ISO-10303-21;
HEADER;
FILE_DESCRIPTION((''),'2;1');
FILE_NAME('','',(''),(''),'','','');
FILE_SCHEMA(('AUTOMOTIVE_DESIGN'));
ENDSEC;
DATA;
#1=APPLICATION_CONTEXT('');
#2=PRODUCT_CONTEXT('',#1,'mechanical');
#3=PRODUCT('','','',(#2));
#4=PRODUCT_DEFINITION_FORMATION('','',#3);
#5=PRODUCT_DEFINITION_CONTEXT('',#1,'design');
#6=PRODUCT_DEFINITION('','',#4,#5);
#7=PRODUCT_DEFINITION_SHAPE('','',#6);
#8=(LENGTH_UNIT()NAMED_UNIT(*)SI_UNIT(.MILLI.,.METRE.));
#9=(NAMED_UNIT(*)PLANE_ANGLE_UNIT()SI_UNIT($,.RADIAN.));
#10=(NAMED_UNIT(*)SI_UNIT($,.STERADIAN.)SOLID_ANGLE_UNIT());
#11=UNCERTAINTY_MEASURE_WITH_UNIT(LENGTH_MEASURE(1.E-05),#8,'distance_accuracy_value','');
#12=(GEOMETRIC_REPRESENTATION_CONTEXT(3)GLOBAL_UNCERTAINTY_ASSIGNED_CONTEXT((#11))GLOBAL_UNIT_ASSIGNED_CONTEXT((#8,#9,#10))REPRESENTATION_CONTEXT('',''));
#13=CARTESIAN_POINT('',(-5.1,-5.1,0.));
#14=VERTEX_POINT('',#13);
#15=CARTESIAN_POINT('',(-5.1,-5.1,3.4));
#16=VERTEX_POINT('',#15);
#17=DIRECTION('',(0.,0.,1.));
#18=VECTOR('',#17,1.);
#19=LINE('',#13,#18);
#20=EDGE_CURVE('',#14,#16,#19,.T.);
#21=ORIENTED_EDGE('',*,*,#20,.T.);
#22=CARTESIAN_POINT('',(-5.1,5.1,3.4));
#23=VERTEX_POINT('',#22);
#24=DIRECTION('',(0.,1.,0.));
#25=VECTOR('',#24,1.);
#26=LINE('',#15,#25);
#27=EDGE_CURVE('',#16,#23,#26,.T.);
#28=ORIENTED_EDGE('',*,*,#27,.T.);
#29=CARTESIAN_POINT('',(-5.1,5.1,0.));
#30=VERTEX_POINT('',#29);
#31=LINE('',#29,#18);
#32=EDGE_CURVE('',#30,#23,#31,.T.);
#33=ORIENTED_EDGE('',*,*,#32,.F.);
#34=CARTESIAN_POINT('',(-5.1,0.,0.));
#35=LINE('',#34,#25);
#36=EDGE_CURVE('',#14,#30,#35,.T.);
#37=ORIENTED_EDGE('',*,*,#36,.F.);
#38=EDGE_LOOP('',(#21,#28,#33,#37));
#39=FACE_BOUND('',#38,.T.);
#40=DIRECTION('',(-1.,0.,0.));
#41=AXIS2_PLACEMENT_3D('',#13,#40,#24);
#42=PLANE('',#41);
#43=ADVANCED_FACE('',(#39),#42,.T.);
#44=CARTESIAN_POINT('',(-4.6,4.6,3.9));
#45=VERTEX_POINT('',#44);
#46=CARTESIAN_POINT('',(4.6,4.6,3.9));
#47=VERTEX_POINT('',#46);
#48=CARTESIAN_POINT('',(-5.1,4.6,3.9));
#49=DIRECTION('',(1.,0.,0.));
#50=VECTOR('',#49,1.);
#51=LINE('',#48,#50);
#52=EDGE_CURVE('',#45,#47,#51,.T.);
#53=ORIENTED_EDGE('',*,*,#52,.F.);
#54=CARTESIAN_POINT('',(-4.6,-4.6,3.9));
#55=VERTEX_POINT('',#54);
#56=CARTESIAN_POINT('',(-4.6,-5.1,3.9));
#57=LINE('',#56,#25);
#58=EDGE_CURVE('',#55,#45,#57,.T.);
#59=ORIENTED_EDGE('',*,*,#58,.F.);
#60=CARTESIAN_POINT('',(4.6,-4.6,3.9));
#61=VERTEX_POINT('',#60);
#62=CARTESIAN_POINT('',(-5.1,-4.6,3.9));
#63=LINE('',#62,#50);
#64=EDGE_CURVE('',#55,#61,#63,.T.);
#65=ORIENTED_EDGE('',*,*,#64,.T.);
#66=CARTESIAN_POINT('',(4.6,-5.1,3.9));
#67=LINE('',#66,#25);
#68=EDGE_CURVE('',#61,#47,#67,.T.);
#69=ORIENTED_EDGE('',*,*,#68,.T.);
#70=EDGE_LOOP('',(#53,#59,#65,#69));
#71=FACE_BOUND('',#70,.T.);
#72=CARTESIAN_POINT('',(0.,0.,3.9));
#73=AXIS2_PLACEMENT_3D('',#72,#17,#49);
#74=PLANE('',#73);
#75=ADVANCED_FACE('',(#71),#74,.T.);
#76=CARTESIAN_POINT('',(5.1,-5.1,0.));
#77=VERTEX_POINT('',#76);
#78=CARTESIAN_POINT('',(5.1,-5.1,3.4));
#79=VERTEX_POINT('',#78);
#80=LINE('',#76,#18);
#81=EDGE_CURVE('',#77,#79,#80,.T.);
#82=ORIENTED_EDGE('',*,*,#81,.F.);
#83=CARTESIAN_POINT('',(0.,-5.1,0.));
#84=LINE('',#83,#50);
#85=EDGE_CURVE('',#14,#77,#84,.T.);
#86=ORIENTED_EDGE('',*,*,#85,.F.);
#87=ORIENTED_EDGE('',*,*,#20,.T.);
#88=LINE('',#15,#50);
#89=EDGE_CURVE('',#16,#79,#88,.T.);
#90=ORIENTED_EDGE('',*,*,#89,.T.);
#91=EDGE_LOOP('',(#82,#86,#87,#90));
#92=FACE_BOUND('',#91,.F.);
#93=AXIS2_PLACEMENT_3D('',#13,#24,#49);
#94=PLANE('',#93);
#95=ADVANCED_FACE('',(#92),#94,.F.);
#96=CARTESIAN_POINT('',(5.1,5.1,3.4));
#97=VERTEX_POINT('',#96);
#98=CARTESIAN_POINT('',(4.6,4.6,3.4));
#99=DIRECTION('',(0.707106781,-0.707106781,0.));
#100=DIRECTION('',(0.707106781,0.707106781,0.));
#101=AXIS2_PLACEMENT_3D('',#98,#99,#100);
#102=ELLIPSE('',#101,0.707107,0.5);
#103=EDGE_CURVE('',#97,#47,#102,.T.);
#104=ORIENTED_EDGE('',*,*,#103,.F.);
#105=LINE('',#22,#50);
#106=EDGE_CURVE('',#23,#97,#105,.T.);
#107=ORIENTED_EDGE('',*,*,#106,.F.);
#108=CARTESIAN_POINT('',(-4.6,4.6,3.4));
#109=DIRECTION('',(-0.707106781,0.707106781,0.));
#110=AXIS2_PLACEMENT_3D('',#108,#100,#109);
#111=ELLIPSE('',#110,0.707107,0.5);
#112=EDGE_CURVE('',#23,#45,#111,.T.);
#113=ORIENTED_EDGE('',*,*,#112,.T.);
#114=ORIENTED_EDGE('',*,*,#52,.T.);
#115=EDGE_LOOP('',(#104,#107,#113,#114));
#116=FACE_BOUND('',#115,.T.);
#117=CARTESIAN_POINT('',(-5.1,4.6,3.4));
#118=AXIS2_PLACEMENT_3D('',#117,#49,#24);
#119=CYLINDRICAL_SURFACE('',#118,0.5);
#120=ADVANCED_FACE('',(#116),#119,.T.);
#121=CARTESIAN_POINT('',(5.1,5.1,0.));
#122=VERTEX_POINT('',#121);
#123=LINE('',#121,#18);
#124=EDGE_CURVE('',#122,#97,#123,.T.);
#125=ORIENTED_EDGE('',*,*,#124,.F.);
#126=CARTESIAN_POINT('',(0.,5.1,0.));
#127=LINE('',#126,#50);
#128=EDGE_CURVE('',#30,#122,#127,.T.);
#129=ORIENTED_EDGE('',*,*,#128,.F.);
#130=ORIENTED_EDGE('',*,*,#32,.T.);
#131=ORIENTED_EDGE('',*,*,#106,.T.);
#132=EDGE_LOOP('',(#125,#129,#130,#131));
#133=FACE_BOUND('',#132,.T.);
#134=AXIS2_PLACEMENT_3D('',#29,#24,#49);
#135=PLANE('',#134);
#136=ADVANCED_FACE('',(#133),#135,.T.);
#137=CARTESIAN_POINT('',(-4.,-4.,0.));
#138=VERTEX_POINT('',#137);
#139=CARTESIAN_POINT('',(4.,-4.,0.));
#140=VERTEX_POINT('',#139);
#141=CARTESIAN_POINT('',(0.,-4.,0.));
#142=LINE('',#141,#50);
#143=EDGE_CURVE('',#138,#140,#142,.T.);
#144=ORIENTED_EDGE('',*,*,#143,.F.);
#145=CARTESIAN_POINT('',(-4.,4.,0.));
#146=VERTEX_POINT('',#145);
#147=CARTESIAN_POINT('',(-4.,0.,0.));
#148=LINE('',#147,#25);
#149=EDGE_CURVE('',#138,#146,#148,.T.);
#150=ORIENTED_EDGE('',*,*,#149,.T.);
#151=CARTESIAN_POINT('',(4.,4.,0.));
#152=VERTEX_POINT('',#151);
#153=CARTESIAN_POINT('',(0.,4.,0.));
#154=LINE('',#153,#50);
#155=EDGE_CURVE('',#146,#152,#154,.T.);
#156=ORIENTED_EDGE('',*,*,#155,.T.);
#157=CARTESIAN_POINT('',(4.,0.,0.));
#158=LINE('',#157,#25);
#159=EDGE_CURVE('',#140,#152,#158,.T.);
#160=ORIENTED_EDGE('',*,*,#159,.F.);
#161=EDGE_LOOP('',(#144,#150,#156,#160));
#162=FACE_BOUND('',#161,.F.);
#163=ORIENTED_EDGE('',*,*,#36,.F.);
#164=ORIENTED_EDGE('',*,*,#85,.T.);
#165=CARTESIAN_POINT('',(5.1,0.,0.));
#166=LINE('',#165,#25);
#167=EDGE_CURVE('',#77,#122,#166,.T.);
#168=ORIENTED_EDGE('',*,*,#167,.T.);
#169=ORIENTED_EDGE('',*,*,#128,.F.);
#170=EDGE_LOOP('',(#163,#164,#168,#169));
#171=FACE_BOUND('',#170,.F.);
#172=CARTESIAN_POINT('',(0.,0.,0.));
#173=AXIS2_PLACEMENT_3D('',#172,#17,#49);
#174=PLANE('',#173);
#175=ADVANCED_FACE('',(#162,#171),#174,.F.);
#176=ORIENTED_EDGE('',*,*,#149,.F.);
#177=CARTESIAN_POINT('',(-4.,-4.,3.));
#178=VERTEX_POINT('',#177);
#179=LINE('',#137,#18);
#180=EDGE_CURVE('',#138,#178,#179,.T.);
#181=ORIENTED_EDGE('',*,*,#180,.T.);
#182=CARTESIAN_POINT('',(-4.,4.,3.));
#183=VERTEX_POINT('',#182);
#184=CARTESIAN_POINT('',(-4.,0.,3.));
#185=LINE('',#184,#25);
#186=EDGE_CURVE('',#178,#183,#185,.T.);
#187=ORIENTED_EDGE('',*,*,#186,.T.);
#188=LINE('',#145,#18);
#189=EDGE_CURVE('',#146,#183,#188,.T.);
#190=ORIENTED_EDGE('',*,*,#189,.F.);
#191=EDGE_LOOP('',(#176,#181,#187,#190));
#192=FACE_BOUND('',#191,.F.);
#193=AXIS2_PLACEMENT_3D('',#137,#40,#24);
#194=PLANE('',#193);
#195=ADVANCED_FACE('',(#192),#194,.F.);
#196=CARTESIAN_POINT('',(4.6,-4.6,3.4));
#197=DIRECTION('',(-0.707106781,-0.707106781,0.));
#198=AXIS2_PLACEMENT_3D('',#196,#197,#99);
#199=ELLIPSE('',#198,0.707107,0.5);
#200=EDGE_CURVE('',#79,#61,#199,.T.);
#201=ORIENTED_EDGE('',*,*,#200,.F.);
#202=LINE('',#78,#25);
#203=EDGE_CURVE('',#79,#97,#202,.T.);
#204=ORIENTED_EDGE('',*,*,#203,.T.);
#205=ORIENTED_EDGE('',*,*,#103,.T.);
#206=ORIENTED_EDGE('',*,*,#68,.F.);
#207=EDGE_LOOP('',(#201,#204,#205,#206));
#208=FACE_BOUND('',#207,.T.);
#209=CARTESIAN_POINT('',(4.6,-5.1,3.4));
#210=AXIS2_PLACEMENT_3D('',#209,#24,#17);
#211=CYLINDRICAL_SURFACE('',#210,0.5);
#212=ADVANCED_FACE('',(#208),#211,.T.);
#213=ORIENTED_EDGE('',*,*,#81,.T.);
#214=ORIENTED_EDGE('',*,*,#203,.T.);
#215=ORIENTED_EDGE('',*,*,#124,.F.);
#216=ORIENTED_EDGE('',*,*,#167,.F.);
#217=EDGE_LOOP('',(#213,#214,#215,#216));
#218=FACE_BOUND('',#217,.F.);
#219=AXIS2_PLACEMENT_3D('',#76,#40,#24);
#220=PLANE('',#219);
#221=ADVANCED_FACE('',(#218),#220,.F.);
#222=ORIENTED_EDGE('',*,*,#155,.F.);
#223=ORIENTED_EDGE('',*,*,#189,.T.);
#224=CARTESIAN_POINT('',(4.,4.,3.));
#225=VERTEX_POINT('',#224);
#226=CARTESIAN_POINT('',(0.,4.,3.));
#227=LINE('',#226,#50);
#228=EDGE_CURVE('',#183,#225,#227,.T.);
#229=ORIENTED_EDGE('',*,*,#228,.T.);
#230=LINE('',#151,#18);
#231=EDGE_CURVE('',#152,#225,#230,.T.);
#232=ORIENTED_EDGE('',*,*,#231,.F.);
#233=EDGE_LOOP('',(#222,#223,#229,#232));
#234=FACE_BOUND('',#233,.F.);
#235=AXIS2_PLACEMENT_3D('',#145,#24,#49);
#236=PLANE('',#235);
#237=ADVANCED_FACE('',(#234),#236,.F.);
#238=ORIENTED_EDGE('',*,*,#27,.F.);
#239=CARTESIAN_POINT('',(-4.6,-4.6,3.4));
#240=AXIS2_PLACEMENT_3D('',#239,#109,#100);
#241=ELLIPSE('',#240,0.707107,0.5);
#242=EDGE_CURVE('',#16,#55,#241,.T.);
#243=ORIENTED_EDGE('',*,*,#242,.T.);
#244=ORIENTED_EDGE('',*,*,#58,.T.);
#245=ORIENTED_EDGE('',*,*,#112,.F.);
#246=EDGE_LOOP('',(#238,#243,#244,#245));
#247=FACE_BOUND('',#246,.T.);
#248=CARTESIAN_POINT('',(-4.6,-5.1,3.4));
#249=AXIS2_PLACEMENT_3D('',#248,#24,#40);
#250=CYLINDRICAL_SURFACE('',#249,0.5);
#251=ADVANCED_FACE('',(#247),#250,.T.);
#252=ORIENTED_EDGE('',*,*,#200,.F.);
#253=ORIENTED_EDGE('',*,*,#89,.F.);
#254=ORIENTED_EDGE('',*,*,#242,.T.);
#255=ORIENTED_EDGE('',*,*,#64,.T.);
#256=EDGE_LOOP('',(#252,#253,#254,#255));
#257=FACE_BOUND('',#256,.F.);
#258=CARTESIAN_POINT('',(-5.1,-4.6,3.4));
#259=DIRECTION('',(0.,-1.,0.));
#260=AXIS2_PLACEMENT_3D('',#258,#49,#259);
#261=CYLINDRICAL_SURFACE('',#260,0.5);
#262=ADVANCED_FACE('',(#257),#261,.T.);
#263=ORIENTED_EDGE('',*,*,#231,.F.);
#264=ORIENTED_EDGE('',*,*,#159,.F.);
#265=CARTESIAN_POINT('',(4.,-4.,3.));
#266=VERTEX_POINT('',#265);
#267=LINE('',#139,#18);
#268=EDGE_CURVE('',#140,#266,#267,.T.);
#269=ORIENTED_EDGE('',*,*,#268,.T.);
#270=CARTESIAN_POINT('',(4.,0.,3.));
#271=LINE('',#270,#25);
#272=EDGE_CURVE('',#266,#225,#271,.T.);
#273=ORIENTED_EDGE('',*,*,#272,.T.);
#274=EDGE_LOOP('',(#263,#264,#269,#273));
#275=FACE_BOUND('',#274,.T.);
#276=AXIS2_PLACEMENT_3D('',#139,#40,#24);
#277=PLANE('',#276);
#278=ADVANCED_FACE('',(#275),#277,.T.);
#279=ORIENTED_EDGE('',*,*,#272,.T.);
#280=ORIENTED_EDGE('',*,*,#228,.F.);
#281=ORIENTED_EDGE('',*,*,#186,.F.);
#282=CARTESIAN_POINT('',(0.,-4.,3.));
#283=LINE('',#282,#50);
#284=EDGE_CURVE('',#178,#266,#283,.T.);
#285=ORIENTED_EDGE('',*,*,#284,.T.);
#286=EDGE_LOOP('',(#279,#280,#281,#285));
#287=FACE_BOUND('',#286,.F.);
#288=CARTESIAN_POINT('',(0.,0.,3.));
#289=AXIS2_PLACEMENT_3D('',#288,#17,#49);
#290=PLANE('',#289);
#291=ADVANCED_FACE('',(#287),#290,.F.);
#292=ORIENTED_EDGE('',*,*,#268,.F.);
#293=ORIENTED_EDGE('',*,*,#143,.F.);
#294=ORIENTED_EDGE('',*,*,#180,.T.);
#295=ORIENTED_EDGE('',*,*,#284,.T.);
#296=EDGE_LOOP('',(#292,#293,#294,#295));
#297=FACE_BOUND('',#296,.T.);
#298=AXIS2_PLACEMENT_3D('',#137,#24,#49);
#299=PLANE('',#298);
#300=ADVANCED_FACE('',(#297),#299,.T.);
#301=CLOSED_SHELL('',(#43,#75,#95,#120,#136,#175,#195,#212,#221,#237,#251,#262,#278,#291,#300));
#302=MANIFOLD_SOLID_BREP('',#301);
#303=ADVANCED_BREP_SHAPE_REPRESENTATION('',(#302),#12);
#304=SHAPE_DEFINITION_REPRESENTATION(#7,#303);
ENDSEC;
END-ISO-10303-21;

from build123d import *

# Parameters (mm, degrees)
BOX001_W     = 8
BOX001_H     = 8
BOX001_DEPTH = 3
BOX_W        = 10.2
BOX_H        = 10.2
BOX_DEPTH    = 3.9
FILLET_R     = 0.5


with BuildPart() as cube001:
    # Box001 → Box001 (new body)
    with BuildSketch(Plane(origin=(-4, -4, 0), x_dir=(1, 0, 0), z_dir=(0, 0, 1))):
        with Locations((4, 4)):
            Rectangle(BOX001_W, BOX001_H)
    extrude(amount=BOX001_DEPTH)


with BuildPart() as fillet_body:
    # Box → Box (new body)
    with BuildSketch(Plane(origin=(-5.1, -5.1, 0), x_dir=(1, 0, 0), z_dir=(0, 0, 1))):
        with Locations((5.1, 5.1)):
            Rectangle(BOX_W, BOX_H)
    extrude(amount=BOX_DEPTH)

    # Cut: cut Cube001
    add(cube001.part, mode=Mode.SUBTRACT)

    # Fillet
    fillet_edges = [fillet_body.edges().sort_by_distance(p)[0] for p in [
        (-5.1, 0, 3.9),
        (0, -5.1, 3.9),
        (0, 5.1, 3.9),
        (5.1, 0, 3.9),
    ]]
    fillet(fillet_edges, radius=FILLET_R)


solid = fillet_body.part
